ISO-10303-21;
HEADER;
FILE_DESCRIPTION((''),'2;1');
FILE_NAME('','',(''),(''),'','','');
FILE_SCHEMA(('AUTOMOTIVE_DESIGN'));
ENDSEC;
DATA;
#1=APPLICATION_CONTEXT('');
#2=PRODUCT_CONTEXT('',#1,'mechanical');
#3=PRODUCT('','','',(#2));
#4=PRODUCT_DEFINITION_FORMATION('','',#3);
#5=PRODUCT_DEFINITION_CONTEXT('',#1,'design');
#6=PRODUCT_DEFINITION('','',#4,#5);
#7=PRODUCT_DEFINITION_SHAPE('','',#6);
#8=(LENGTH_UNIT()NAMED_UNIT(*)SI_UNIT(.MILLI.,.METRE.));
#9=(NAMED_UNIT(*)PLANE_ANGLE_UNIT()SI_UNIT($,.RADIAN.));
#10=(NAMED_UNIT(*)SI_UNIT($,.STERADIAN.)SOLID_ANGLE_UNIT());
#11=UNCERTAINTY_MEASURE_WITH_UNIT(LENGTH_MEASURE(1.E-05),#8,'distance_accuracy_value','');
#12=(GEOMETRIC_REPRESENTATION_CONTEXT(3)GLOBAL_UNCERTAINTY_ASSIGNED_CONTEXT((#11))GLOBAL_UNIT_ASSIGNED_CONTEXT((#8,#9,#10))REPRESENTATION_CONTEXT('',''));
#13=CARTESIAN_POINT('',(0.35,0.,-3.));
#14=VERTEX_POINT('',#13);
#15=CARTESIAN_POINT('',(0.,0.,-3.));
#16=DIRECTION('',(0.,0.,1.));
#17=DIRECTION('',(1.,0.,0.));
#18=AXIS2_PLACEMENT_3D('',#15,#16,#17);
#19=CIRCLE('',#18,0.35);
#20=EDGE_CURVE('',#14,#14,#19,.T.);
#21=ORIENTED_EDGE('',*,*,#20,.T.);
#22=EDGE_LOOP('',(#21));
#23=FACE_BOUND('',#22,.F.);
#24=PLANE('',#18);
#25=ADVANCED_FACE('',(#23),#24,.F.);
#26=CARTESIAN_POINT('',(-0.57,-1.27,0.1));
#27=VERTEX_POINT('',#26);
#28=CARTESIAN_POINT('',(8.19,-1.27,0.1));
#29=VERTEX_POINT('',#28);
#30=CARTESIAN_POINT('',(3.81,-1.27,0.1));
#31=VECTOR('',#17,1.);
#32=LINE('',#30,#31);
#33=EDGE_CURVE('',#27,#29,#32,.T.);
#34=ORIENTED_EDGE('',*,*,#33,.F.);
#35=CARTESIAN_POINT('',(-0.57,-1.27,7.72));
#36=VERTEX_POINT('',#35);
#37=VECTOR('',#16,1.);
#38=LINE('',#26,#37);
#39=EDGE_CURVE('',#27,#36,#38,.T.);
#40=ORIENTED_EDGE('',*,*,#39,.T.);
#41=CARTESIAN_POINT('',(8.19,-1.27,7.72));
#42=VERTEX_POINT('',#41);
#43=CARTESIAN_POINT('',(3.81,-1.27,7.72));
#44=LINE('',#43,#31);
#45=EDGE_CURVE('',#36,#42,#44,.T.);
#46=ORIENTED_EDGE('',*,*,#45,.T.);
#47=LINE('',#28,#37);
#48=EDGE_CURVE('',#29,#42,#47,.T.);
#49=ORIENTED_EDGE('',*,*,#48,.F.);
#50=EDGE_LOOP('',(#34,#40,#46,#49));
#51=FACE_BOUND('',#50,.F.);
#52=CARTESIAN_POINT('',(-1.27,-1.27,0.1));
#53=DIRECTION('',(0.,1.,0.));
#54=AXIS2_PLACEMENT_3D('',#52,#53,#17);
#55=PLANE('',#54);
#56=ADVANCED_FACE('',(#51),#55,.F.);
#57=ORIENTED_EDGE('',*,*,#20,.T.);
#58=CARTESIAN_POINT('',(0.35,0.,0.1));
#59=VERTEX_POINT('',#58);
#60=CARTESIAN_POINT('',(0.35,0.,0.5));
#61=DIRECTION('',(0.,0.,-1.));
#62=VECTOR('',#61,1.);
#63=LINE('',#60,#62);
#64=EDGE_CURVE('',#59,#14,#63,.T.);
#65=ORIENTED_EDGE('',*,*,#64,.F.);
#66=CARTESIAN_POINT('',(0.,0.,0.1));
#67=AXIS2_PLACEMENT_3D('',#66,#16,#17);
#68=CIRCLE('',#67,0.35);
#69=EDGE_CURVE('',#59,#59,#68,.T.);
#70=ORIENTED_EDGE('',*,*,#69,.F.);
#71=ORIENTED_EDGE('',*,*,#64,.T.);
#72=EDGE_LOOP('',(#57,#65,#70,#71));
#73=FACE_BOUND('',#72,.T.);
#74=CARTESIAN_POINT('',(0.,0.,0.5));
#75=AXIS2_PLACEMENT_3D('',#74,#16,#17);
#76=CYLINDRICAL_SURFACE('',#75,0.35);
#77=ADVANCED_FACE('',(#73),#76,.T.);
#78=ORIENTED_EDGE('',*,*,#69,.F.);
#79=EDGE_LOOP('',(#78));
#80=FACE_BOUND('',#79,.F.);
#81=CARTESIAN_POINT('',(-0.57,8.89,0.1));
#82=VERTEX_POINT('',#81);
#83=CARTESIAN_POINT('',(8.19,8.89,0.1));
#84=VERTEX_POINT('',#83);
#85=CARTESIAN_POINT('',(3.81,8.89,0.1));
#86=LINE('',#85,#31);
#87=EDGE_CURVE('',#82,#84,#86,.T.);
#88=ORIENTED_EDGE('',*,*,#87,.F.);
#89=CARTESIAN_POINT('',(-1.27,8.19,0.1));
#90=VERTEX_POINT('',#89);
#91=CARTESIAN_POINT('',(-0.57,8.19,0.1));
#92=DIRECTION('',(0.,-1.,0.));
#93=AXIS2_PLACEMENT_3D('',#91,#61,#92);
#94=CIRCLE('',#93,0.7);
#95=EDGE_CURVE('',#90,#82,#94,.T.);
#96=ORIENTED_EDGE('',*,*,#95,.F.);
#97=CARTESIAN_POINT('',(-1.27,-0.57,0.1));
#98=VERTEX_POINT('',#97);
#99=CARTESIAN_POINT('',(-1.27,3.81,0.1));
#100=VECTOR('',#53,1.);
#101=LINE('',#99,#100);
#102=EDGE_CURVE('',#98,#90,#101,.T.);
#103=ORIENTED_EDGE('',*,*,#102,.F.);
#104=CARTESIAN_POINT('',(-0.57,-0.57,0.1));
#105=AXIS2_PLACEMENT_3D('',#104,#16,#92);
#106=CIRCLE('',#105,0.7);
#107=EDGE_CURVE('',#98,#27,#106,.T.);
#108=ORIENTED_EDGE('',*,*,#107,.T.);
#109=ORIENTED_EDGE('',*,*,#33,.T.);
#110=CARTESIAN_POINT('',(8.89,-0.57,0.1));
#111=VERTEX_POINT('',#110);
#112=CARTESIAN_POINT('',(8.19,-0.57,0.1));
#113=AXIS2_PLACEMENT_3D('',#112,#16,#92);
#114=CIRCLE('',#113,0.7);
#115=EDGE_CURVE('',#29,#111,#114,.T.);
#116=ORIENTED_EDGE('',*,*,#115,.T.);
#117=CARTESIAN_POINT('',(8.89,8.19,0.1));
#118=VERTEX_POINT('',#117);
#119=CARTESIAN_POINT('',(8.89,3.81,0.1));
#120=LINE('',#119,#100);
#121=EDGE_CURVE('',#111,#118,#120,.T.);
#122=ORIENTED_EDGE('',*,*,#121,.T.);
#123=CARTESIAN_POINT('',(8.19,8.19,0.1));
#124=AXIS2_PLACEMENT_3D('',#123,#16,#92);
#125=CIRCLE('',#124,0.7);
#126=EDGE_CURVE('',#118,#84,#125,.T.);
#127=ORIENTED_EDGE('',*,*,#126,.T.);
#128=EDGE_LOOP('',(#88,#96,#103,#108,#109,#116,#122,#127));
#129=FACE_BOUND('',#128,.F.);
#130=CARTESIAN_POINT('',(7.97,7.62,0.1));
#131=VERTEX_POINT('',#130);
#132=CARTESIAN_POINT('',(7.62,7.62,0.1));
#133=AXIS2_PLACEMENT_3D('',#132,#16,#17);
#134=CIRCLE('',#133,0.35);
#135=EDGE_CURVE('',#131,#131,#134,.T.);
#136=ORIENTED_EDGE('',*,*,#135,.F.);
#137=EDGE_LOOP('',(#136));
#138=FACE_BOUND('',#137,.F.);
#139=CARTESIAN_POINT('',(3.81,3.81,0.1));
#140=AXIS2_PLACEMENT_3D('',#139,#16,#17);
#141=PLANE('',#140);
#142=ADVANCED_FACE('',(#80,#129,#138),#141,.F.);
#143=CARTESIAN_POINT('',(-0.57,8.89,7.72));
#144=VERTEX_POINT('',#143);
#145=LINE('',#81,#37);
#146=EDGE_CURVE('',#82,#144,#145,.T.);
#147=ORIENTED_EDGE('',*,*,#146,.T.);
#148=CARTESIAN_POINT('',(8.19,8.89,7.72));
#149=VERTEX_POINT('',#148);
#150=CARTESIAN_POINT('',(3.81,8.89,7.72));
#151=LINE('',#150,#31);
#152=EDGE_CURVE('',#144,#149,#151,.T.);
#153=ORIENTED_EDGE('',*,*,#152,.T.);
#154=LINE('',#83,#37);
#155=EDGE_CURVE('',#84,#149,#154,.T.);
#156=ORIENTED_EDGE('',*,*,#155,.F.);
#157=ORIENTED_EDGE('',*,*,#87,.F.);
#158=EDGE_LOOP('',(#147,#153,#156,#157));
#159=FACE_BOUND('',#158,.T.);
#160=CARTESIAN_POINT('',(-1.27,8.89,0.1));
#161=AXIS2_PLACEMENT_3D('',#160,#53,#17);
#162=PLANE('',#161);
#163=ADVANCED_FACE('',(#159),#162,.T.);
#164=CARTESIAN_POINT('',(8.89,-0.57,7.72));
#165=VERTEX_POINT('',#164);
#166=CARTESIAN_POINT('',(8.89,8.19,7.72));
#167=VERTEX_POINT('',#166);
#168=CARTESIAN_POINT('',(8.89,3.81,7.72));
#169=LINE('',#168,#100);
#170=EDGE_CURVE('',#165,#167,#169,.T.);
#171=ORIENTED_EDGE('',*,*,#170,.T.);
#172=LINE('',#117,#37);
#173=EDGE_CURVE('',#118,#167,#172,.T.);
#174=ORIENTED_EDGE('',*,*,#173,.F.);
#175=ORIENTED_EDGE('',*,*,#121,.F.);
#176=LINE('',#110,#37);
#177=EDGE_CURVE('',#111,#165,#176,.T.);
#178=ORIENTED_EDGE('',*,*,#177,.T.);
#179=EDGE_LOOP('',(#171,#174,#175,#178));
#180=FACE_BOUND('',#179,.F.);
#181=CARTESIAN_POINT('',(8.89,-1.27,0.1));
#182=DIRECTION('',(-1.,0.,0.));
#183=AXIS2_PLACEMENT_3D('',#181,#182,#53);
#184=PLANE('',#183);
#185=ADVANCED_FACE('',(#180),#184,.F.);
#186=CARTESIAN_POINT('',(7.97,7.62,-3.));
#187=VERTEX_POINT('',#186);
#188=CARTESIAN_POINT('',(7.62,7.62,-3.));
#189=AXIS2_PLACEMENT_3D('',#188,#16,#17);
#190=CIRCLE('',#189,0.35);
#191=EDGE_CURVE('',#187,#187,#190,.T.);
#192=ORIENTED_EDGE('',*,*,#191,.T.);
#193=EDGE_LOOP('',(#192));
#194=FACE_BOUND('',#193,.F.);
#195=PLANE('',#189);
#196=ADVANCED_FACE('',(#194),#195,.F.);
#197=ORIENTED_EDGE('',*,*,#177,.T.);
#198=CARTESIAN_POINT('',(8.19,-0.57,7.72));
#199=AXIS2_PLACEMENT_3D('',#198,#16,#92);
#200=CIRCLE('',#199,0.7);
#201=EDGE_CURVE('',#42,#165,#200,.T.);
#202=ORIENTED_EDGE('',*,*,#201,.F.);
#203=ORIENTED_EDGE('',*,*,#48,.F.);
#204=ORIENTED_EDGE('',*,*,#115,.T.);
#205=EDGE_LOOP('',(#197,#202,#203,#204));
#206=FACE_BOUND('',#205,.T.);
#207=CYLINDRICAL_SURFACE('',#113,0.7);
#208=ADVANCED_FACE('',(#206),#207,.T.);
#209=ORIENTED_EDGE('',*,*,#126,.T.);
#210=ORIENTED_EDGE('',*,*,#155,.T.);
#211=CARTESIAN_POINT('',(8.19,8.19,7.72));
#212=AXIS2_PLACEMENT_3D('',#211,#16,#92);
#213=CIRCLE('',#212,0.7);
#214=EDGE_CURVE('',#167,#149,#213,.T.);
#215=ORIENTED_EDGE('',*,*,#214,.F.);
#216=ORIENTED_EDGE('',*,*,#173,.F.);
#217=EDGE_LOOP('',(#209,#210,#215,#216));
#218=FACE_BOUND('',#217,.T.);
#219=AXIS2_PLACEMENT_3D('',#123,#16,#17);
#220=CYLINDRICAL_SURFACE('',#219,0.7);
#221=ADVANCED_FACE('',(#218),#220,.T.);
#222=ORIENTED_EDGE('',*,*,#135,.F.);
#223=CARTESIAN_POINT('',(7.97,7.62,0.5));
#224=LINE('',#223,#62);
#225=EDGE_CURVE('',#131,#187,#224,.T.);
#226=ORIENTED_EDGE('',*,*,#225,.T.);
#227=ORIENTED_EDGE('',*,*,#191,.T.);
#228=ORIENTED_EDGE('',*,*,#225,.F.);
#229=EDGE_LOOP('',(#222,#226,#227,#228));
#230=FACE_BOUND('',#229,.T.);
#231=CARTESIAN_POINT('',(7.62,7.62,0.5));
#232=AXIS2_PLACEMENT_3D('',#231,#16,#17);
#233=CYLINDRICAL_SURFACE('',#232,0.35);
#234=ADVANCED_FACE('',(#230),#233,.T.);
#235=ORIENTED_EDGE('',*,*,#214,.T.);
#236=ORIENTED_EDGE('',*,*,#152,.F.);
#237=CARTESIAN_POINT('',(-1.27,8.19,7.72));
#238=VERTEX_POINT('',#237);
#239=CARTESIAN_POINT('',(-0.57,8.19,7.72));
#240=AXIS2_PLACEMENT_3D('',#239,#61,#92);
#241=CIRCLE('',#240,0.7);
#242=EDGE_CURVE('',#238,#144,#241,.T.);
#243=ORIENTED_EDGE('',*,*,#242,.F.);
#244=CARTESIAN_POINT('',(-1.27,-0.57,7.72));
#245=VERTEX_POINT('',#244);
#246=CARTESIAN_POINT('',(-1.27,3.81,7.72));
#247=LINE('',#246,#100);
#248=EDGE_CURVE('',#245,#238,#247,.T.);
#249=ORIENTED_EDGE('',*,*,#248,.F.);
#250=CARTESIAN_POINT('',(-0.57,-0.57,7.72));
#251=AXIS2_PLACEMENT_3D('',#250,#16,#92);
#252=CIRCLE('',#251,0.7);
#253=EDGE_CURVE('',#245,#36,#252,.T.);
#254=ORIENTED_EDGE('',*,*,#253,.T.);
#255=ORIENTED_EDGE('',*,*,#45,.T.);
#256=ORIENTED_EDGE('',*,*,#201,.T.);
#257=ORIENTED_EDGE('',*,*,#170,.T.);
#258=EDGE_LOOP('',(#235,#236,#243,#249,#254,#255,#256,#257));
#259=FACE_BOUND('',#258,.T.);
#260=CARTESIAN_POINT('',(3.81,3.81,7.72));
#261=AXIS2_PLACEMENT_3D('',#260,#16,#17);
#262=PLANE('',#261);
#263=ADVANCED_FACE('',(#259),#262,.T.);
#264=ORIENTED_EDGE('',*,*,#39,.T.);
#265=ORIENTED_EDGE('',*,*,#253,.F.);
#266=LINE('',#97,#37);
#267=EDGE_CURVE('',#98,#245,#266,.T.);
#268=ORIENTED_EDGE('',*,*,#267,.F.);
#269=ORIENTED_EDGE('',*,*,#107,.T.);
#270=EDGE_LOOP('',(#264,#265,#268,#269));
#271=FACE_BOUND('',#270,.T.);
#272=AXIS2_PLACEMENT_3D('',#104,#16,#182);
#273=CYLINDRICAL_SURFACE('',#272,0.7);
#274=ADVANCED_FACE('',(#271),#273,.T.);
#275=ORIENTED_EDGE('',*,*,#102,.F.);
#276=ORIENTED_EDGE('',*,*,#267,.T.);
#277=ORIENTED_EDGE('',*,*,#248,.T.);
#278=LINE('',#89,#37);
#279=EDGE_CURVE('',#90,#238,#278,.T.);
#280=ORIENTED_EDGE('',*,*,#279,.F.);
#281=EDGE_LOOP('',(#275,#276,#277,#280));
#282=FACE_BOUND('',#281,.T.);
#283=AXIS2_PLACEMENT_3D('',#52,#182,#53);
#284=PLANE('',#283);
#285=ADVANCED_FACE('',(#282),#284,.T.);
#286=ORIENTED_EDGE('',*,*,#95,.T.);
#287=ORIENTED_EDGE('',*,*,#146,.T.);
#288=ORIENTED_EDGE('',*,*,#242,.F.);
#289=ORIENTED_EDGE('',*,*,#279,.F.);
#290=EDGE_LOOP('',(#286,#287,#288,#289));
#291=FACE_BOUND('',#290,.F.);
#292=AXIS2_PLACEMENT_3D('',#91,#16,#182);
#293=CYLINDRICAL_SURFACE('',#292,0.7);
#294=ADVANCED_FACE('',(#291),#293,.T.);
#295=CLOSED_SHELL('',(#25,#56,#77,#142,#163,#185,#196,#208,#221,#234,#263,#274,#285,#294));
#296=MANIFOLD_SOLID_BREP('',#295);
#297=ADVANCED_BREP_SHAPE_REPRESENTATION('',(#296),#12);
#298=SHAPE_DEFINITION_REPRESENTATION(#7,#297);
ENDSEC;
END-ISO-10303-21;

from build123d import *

# Parameters (mm, degrees)
SKETCH001_R  = 0.35
PAD001_DEPTH = 3.5
SKETCH_W     = 10.16
SKETCH_H     = 10.16
PAD_DEPTH    = 7.62
FILLET_R     = 0.7


with BuildPart() as pad001:
    # Sketch001 → Pad001 (new body)
    with BuildSketch(Plane.XY.offset(0.5)):
        Circle(SKETCH001_R)
        with Locations((7.62, 7.62)):
            Circle(SKETCH001_R)
    extrude(amount=-PAD001_DEPTH)


with BuildPart() as fillet_mp_cp:
    # Sketch → Pad (new body)
    with BuildSketch(Plane.XY.offset(0.1)):
        with Locations((3.81, 3.81)):
            Rectangle(SKETCH_W, SKETCH_H)
    extrude(amount=PAD_DEPTH)

    # Fillet
    fillet_edges = [fillet_mp_cp.edges().sort_by_distance(p)[0] for p in [
        (8.89, -1.27, 3.91),
        (8.89, 8.89, 3.91),
        (-1.27, -1.27, 3.91),
        (-1.27, 8.89, 3.91),
    ]]
    fillet(fillet_edges, radius=FILLET_R)

    # Fillet_mp_cp: union Pad001
    add(pad001.part)


solid = fillet_mp_cp.part
